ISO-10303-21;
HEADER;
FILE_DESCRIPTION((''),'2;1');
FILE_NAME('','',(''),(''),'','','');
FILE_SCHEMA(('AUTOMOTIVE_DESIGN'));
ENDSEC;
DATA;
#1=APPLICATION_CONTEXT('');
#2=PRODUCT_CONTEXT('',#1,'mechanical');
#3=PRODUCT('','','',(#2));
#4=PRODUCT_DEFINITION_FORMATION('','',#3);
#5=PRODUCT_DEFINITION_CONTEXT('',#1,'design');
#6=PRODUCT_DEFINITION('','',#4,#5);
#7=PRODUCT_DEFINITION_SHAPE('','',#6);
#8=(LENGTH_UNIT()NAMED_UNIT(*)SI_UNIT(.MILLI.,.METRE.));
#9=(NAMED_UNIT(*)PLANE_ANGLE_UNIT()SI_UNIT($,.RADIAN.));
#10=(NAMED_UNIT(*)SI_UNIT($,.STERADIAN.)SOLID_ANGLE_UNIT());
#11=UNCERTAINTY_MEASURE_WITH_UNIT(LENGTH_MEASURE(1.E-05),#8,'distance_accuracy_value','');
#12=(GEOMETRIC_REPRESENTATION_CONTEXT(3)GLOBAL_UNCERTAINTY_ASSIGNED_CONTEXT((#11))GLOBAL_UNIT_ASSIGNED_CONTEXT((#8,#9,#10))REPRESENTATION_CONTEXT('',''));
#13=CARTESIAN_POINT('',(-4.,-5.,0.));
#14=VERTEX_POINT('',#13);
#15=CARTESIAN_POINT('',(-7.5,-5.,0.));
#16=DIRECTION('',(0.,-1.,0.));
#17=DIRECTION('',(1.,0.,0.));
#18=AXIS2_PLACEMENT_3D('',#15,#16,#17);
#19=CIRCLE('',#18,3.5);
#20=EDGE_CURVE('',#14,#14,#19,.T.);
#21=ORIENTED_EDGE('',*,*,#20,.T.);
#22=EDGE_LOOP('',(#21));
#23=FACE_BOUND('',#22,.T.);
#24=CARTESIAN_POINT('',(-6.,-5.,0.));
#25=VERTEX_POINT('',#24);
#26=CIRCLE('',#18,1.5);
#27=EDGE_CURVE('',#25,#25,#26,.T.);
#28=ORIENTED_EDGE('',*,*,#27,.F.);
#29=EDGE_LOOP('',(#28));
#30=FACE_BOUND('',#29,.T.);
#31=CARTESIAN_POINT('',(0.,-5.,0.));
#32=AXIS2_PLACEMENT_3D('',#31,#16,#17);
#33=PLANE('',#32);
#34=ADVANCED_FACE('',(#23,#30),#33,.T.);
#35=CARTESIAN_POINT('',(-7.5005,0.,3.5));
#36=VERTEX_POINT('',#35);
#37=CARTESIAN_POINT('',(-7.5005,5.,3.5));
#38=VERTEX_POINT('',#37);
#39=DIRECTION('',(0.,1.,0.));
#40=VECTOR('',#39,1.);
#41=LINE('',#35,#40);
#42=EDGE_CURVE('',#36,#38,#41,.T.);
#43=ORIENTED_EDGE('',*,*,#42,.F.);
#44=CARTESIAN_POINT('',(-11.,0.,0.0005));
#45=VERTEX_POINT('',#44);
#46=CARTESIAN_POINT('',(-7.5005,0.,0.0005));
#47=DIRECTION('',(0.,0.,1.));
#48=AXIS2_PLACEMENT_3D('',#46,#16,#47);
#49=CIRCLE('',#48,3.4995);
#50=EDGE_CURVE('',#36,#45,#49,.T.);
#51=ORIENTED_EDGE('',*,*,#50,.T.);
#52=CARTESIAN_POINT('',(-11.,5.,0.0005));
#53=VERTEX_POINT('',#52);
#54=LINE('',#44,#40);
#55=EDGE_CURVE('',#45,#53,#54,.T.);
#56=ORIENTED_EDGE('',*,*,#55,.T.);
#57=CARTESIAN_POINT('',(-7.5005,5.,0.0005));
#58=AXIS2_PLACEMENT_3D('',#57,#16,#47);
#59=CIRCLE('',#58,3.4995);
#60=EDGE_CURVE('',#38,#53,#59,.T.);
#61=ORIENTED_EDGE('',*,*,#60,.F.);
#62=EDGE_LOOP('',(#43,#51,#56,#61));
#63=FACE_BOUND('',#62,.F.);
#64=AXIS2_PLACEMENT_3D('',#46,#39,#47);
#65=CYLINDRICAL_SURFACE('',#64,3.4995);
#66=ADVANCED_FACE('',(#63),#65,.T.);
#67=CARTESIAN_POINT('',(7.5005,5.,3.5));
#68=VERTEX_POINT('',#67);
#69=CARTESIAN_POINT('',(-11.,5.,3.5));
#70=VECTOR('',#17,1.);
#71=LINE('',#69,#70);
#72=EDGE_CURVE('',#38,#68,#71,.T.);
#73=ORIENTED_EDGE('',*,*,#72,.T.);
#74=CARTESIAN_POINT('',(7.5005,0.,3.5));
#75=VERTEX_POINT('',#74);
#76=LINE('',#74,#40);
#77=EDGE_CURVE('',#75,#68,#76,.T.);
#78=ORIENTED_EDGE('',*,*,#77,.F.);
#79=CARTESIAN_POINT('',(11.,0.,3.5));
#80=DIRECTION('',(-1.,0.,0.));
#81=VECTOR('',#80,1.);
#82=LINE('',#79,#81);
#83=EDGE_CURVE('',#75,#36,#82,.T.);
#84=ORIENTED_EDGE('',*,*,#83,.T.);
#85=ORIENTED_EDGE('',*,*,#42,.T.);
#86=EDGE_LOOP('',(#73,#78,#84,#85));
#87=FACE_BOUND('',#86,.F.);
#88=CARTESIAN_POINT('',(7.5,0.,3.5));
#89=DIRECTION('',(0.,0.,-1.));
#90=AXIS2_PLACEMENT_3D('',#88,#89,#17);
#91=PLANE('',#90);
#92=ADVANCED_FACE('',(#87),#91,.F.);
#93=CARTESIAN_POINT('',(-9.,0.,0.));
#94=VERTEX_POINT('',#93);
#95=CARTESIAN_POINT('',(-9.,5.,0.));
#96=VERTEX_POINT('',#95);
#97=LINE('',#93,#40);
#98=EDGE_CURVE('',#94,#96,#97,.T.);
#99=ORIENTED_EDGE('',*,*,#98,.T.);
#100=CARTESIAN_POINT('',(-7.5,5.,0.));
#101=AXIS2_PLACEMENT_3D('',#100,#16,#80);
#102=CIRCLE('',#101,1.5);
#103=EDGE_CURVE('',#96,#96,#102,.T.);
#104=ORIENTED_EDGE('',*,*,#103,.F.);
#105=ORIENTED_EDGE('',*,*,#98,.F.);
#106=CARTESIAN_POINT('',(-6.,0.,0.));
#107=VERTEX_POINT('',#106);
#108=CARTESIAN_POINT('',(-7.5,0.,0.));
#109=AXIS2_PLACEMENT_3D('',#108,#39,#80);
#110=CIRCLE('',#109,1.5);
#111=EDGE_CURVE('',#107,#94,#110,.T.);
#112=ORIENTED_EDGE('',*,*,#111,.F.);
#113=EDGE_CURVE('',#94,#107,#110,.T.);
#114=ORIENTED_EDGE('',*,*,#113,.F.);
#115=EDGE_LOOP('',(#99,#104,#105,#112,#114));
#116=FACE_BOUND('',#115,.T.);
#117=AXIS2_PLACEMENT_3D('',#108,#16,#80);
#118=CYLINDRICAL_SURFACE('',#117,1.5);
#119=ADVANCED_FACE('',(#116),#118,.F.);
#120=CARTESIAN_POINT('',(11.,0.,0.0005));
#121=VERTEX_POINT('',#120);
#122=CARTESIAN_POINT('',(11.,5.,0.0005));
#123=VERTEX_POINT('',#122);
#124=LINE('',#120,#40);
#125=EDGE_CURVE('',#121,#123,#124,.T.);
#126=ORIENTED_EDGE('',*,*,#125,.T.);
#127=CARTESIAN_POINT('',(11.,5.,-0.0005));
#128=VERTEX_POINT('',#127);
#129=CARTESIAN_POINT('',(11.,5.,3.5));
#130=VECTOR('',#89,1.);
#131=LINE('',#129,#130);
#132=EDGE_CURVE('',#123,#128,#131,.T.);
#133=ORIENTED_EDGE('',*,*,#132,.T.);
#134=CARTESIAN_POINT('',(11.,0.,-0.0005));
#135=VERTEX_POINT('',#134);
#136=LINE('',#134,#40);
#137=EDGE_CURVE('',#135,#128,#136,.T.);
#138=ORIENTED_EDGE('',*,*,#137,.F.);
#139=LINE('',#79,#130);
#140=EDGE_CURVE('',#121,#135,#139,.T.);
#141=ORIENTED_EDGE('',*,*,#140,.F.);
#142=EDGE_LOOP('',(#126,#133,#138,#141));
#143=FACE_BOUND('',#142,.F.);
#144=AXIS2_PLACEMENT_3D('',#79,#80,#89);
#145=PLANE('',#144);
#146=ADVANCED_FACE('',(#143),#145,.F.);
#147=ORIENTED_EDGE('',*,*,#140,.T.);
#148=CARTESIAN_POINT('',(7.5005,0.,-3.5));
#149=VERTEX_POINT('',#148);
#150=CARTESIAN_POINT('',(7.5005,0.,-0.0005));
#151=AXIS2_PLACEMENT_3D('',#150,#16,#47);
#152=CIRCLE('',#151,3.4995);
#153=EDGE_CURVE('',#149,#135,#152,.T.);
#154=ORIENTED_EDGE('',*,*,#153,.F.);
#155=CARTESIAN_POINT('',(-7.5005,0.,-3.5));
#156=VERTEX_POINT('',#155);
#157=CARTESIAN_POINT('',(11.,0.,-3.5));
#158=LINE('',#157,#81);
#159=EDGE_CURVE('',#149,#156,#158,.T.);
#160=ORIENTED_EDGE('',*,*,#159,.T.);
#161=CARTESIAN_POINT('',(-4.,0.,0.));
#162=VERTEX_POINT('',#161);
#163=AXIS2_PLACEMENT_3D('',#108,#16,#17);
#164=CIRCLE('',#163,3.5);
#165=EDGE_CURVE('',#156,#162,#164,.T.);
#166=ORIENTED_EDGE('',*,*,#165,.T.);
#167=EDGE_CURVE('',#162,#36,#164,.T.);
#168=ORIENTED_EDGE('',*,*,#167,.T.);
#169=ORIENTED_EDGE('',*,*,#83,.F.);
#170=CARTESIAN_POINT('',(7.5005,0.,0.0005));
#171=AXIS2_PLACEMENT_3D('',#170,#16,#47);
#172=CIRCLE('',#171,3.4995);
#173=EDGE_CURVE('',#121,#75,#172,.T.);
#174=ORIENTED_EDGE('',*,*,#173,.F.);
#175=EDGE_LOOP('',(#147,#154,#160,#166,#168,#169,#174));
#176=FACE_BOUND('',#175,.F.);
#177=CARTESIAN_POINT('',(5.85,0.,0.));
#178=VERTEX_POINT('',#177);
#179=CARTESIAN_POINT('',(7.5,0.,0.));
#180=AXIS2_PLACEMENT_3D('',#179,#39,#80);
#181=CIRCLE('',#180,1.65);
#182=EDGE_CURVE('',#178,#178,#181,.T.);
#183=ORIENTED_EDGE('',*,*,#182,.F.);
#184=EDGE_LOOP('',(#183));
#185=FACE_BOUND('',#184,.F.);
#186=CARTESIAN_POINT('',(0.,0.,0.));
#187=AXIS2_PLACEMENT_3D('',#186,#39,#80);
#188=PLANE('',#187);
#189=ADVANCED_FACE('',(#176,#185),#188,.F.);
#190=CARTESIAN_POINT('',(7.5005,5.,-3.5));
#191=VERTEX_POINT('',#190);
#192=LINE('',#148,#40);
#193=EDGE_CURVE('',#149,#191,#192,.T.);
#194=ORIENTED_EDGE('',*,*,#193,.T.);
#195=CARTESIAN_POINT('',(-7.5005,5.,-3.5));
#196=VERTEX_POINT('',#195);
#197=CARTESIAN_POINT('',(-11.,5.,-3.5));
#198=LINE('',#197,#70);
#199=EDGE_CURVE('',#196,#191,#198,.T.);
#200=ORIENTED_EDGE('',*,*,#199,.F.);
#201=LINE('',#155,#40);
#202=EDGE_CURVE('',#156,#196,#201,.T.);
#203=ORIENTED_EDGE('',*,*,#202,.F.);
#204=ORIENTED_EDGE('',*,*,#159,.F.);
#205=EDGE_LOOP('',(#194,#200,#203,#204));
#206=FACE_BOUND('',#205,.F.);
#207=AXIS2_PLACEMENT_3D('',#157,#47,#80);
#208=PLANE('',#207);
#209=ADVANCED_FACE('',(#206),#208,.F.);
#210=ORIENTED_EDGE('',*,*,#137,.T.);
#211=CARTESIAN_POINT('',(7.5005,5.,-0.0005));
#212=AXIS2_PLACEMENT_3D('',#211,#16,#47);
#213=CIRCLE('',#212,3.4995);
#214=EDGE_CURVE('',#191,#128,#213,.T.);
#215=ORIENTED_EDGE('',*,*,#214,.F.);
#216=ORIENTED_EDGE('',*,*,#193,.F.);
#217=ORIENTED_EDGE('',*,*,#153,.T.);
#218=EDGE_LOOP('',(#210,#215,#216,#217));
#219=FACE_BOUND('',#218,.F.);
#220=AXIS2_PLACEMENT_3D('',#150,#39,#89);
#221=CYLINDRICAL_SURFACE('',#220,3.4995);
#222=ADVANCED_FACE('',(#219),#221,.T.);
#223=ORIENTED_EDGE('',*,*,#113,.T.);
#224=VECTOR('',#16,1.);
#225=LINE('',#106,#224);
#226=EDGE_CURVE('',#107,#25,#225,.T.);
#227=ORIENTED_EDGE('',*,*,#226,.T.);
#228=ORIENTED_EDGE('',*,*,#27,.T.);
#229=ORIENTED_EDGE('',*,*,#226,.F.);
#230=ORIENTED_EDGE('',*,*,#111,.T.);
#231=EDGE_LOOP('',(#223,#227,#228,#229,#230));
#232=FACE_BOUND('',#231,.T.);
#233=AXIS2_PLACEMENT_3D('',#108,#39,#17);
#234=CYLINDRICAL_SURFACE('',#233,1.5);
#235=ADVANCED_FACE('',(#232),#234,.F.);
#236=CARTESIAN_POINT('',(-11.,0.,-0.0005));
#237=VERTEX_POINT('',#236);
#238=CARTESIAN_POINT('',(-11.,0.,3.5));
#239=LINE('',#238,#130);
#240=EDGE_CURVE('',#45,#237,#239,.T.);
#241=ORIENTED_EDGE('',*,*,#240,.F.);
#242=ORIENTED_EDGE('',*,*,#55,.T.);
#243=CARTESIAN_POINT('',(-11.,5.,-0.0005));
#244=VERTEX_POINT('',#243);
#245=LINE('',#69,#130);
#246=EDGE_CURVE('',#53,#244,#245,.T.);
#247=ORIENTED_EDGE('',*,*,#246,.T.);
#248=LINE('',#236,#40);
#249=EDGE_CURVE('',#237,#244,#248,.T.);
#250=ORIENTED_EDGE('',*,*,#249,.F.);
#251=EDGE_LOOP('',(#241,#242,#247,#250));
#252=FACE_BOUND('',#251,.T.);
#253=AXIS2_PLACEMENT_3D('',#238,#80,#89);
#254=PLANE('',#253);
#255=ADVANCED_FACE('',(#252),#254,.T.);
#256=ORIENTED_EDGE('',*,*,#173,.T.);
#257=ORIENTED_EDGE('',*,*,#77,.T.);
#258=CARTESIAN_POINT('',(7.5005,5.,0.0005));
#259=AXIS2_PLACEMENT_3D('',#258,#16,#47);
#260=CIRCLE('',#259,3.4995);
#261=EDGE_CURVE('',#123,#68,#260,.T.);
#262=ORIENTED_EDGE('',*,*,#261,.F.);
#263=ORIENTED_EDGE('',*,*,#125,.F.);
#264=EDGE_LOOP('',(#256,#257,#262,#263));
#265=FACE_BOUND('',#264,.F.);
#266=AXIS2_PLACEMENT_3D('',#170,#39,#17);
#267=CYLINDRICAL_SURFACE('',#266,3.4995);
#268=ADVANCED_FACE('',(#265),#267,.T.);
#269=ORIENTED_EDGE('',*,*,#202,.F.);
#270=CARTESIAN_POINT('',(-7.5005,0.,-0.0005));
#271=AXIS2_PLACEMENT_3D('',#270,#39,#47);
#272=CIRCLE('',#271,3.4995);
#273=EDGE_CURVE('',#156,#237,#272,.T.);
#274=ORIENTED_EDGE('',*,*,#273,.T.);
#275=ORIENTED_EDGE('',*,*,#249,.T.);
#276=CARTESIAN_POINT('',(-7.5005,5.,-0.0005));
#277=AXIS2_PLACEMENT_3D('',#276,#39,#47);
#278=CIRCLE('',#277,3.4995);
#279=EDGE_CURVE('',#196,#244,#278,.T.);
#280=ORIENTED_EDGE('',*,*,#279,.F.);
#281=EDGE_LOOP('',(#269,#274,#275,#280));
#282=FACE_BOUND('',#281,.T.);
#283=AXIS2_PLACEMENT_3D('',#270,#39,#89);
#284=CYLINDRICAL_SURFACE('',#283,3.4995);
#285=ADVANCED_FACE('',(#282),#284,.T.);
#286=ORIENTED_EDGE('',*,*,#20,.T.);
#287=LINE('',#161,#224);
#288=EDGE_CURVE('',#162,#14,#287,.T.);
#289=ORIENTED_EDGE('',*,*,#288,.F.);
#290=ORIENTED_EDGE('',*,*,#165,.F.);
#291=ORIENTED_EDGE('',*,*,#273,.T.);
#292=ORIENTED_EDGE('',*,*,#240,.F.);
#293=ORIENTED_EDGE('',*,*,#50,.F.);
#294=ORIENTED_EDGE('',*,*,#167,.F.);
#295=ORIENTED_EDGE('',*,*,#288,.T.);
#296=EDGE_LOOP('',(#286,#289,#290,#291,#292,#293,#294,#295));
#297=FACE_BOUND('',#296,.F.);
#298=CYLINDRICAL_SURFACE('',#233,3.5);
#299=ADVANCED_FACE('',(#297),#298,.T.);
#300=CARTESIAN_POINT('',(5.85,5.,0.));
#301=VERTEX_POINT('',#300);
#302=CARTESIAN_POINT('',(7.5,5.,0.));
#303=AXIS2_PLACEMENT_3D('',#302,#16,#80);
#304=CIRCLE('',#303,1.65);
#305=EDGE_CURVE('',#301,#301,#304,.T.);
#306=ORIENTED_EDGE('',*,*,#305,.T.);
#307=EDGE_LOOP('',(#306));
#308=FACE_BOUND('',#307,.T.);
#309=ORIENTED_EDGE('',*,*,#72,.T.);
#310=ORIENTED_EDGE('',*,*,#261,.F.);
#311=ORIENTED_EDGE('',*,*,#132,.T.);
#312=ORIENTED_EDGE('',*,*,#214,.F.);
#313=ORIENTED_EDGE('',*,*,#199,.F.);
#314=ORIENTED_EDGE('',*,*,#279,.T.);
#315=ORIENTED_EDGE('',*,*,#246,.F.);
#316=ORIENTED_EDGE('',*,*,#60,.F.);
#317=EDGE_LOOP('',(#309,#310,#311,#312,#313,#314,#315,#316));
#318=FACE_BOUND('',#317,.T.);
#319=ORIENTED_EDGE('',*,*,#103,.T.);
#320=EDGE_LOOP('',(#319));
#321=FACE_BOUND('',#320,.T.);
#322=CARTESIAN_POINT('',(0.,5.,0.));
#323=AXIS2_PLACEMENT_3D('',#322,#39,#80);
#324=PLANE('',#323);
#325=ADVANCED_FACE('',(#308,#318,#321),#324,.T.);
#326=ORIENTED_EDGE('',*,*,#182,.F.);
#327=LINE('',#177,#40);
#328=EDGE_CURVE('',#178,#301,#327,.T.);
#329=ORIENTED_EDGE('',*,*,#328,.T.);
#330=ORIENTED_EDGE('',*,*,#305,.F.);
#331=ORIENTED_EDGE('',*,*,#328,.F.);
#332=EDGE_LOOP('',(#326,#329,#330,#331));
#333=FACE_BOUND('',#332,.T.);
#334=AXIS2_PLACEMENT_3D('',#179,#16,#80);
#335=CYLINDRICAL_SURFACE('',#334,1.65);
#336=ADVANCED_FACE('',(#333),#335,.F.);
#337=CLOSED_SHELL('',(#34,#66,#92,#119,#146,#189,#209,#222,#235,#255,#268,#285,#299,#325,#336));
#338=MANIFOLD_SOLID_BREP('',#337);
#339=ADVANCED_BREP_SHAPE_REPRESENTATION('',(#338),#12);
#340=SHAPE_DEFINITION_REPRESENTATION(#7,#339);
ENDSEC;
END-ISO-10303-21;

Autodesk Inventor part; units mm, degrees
ref_plane "YZ Plane" through (0, 0, 0) normal (1, 0, 0) x (0, 1, 0)
ref_plane "XZ Plane" through (0, 0, 0) normal (0, 1, 0) x (-1, 0, 0)
ref_plane "XY Plane" through (0, 0, 0) normal (0, 0, 1) x (1, 0, 0)
sketch "Sketch1" plane through (0, 0, 0) normal (0, 1, 0) x (-1, 0, 0)
  line L0 (-7.5, -3.5) -> (-7.5, 3.5)
  line L1 (-7.5, 3.5) -> (7.5, 3.5)
  line L2 (7.5, 3.5) -> (7.5, -3.5)
  line L3 (7.5, -3.5) -> (-7.5, -3.5)
  line L4 (-7.5, -3.5) -> (7.5, 3.5) construction
  line L5 (-7.5, 3.5) -> (7.5, -3.5) construction
  circle A0 centre (7.5, 0) radius 1.5
  circle A1 centre (-7.5, 0) radius 1.65
  line L6 (7.5, 3.5) -> (11, 3.5)
  line L7 (11, 3.5) -> (11, -3.5)
  line L8 (11, -3.5) -> (7.5, -3.5)
  line L9 (7.5, -3.5) -> (7.5, 3.5)
  line L10 (-7.5, 3.5) -> (-11, 3.5)
  line L11 (-11, 3.5) -> (-11, -3.5)
  line L12 (-11, -3.5) -> (-7.5, -3.5)
  line L13 (-7.5, -3.5) -> (-7.5, 3.5)
  point P0 (0, 0)
  dimension "d0" = 7
  dimension "d1" = 15
  dimension "d2" = 3
  dimension "d3" = 3.3
  dimension "d4" = 3.5
  dimension "d5" = 3.5
extrude "Extrusion1" add sketch "Sketch1" along normal blind 5 contours L12 L11 L10 L0 A1 | L0 A1 L1 L2 A0 L3 | L2 A0 L6 L7 L8
fillet "Fillet1" radius 3.5 4 edges at (-11, 2.5, -3.5) (-11, 2.5, 3.5) (11, 2.5, 3.5) (11, 2.5, -3.5)
sketch "Sketch2" plane through (0, 0, 0) normal (0, -1, 0) x (1, 0, 0)
  circle A0 centre (-7.5, 0) radius 1.5 projected
  circle A1 centre (-7.5, 0) radius 3.5
  circle A2 centre (-7.5, 0) radius 1.65
  point P0 (0, 0)
  dimension "d9" = 3.3
extrude "Extrusion2" add sketch "Sketch2" along normal blind 5 contours A1 | A2
properties part number "m"
